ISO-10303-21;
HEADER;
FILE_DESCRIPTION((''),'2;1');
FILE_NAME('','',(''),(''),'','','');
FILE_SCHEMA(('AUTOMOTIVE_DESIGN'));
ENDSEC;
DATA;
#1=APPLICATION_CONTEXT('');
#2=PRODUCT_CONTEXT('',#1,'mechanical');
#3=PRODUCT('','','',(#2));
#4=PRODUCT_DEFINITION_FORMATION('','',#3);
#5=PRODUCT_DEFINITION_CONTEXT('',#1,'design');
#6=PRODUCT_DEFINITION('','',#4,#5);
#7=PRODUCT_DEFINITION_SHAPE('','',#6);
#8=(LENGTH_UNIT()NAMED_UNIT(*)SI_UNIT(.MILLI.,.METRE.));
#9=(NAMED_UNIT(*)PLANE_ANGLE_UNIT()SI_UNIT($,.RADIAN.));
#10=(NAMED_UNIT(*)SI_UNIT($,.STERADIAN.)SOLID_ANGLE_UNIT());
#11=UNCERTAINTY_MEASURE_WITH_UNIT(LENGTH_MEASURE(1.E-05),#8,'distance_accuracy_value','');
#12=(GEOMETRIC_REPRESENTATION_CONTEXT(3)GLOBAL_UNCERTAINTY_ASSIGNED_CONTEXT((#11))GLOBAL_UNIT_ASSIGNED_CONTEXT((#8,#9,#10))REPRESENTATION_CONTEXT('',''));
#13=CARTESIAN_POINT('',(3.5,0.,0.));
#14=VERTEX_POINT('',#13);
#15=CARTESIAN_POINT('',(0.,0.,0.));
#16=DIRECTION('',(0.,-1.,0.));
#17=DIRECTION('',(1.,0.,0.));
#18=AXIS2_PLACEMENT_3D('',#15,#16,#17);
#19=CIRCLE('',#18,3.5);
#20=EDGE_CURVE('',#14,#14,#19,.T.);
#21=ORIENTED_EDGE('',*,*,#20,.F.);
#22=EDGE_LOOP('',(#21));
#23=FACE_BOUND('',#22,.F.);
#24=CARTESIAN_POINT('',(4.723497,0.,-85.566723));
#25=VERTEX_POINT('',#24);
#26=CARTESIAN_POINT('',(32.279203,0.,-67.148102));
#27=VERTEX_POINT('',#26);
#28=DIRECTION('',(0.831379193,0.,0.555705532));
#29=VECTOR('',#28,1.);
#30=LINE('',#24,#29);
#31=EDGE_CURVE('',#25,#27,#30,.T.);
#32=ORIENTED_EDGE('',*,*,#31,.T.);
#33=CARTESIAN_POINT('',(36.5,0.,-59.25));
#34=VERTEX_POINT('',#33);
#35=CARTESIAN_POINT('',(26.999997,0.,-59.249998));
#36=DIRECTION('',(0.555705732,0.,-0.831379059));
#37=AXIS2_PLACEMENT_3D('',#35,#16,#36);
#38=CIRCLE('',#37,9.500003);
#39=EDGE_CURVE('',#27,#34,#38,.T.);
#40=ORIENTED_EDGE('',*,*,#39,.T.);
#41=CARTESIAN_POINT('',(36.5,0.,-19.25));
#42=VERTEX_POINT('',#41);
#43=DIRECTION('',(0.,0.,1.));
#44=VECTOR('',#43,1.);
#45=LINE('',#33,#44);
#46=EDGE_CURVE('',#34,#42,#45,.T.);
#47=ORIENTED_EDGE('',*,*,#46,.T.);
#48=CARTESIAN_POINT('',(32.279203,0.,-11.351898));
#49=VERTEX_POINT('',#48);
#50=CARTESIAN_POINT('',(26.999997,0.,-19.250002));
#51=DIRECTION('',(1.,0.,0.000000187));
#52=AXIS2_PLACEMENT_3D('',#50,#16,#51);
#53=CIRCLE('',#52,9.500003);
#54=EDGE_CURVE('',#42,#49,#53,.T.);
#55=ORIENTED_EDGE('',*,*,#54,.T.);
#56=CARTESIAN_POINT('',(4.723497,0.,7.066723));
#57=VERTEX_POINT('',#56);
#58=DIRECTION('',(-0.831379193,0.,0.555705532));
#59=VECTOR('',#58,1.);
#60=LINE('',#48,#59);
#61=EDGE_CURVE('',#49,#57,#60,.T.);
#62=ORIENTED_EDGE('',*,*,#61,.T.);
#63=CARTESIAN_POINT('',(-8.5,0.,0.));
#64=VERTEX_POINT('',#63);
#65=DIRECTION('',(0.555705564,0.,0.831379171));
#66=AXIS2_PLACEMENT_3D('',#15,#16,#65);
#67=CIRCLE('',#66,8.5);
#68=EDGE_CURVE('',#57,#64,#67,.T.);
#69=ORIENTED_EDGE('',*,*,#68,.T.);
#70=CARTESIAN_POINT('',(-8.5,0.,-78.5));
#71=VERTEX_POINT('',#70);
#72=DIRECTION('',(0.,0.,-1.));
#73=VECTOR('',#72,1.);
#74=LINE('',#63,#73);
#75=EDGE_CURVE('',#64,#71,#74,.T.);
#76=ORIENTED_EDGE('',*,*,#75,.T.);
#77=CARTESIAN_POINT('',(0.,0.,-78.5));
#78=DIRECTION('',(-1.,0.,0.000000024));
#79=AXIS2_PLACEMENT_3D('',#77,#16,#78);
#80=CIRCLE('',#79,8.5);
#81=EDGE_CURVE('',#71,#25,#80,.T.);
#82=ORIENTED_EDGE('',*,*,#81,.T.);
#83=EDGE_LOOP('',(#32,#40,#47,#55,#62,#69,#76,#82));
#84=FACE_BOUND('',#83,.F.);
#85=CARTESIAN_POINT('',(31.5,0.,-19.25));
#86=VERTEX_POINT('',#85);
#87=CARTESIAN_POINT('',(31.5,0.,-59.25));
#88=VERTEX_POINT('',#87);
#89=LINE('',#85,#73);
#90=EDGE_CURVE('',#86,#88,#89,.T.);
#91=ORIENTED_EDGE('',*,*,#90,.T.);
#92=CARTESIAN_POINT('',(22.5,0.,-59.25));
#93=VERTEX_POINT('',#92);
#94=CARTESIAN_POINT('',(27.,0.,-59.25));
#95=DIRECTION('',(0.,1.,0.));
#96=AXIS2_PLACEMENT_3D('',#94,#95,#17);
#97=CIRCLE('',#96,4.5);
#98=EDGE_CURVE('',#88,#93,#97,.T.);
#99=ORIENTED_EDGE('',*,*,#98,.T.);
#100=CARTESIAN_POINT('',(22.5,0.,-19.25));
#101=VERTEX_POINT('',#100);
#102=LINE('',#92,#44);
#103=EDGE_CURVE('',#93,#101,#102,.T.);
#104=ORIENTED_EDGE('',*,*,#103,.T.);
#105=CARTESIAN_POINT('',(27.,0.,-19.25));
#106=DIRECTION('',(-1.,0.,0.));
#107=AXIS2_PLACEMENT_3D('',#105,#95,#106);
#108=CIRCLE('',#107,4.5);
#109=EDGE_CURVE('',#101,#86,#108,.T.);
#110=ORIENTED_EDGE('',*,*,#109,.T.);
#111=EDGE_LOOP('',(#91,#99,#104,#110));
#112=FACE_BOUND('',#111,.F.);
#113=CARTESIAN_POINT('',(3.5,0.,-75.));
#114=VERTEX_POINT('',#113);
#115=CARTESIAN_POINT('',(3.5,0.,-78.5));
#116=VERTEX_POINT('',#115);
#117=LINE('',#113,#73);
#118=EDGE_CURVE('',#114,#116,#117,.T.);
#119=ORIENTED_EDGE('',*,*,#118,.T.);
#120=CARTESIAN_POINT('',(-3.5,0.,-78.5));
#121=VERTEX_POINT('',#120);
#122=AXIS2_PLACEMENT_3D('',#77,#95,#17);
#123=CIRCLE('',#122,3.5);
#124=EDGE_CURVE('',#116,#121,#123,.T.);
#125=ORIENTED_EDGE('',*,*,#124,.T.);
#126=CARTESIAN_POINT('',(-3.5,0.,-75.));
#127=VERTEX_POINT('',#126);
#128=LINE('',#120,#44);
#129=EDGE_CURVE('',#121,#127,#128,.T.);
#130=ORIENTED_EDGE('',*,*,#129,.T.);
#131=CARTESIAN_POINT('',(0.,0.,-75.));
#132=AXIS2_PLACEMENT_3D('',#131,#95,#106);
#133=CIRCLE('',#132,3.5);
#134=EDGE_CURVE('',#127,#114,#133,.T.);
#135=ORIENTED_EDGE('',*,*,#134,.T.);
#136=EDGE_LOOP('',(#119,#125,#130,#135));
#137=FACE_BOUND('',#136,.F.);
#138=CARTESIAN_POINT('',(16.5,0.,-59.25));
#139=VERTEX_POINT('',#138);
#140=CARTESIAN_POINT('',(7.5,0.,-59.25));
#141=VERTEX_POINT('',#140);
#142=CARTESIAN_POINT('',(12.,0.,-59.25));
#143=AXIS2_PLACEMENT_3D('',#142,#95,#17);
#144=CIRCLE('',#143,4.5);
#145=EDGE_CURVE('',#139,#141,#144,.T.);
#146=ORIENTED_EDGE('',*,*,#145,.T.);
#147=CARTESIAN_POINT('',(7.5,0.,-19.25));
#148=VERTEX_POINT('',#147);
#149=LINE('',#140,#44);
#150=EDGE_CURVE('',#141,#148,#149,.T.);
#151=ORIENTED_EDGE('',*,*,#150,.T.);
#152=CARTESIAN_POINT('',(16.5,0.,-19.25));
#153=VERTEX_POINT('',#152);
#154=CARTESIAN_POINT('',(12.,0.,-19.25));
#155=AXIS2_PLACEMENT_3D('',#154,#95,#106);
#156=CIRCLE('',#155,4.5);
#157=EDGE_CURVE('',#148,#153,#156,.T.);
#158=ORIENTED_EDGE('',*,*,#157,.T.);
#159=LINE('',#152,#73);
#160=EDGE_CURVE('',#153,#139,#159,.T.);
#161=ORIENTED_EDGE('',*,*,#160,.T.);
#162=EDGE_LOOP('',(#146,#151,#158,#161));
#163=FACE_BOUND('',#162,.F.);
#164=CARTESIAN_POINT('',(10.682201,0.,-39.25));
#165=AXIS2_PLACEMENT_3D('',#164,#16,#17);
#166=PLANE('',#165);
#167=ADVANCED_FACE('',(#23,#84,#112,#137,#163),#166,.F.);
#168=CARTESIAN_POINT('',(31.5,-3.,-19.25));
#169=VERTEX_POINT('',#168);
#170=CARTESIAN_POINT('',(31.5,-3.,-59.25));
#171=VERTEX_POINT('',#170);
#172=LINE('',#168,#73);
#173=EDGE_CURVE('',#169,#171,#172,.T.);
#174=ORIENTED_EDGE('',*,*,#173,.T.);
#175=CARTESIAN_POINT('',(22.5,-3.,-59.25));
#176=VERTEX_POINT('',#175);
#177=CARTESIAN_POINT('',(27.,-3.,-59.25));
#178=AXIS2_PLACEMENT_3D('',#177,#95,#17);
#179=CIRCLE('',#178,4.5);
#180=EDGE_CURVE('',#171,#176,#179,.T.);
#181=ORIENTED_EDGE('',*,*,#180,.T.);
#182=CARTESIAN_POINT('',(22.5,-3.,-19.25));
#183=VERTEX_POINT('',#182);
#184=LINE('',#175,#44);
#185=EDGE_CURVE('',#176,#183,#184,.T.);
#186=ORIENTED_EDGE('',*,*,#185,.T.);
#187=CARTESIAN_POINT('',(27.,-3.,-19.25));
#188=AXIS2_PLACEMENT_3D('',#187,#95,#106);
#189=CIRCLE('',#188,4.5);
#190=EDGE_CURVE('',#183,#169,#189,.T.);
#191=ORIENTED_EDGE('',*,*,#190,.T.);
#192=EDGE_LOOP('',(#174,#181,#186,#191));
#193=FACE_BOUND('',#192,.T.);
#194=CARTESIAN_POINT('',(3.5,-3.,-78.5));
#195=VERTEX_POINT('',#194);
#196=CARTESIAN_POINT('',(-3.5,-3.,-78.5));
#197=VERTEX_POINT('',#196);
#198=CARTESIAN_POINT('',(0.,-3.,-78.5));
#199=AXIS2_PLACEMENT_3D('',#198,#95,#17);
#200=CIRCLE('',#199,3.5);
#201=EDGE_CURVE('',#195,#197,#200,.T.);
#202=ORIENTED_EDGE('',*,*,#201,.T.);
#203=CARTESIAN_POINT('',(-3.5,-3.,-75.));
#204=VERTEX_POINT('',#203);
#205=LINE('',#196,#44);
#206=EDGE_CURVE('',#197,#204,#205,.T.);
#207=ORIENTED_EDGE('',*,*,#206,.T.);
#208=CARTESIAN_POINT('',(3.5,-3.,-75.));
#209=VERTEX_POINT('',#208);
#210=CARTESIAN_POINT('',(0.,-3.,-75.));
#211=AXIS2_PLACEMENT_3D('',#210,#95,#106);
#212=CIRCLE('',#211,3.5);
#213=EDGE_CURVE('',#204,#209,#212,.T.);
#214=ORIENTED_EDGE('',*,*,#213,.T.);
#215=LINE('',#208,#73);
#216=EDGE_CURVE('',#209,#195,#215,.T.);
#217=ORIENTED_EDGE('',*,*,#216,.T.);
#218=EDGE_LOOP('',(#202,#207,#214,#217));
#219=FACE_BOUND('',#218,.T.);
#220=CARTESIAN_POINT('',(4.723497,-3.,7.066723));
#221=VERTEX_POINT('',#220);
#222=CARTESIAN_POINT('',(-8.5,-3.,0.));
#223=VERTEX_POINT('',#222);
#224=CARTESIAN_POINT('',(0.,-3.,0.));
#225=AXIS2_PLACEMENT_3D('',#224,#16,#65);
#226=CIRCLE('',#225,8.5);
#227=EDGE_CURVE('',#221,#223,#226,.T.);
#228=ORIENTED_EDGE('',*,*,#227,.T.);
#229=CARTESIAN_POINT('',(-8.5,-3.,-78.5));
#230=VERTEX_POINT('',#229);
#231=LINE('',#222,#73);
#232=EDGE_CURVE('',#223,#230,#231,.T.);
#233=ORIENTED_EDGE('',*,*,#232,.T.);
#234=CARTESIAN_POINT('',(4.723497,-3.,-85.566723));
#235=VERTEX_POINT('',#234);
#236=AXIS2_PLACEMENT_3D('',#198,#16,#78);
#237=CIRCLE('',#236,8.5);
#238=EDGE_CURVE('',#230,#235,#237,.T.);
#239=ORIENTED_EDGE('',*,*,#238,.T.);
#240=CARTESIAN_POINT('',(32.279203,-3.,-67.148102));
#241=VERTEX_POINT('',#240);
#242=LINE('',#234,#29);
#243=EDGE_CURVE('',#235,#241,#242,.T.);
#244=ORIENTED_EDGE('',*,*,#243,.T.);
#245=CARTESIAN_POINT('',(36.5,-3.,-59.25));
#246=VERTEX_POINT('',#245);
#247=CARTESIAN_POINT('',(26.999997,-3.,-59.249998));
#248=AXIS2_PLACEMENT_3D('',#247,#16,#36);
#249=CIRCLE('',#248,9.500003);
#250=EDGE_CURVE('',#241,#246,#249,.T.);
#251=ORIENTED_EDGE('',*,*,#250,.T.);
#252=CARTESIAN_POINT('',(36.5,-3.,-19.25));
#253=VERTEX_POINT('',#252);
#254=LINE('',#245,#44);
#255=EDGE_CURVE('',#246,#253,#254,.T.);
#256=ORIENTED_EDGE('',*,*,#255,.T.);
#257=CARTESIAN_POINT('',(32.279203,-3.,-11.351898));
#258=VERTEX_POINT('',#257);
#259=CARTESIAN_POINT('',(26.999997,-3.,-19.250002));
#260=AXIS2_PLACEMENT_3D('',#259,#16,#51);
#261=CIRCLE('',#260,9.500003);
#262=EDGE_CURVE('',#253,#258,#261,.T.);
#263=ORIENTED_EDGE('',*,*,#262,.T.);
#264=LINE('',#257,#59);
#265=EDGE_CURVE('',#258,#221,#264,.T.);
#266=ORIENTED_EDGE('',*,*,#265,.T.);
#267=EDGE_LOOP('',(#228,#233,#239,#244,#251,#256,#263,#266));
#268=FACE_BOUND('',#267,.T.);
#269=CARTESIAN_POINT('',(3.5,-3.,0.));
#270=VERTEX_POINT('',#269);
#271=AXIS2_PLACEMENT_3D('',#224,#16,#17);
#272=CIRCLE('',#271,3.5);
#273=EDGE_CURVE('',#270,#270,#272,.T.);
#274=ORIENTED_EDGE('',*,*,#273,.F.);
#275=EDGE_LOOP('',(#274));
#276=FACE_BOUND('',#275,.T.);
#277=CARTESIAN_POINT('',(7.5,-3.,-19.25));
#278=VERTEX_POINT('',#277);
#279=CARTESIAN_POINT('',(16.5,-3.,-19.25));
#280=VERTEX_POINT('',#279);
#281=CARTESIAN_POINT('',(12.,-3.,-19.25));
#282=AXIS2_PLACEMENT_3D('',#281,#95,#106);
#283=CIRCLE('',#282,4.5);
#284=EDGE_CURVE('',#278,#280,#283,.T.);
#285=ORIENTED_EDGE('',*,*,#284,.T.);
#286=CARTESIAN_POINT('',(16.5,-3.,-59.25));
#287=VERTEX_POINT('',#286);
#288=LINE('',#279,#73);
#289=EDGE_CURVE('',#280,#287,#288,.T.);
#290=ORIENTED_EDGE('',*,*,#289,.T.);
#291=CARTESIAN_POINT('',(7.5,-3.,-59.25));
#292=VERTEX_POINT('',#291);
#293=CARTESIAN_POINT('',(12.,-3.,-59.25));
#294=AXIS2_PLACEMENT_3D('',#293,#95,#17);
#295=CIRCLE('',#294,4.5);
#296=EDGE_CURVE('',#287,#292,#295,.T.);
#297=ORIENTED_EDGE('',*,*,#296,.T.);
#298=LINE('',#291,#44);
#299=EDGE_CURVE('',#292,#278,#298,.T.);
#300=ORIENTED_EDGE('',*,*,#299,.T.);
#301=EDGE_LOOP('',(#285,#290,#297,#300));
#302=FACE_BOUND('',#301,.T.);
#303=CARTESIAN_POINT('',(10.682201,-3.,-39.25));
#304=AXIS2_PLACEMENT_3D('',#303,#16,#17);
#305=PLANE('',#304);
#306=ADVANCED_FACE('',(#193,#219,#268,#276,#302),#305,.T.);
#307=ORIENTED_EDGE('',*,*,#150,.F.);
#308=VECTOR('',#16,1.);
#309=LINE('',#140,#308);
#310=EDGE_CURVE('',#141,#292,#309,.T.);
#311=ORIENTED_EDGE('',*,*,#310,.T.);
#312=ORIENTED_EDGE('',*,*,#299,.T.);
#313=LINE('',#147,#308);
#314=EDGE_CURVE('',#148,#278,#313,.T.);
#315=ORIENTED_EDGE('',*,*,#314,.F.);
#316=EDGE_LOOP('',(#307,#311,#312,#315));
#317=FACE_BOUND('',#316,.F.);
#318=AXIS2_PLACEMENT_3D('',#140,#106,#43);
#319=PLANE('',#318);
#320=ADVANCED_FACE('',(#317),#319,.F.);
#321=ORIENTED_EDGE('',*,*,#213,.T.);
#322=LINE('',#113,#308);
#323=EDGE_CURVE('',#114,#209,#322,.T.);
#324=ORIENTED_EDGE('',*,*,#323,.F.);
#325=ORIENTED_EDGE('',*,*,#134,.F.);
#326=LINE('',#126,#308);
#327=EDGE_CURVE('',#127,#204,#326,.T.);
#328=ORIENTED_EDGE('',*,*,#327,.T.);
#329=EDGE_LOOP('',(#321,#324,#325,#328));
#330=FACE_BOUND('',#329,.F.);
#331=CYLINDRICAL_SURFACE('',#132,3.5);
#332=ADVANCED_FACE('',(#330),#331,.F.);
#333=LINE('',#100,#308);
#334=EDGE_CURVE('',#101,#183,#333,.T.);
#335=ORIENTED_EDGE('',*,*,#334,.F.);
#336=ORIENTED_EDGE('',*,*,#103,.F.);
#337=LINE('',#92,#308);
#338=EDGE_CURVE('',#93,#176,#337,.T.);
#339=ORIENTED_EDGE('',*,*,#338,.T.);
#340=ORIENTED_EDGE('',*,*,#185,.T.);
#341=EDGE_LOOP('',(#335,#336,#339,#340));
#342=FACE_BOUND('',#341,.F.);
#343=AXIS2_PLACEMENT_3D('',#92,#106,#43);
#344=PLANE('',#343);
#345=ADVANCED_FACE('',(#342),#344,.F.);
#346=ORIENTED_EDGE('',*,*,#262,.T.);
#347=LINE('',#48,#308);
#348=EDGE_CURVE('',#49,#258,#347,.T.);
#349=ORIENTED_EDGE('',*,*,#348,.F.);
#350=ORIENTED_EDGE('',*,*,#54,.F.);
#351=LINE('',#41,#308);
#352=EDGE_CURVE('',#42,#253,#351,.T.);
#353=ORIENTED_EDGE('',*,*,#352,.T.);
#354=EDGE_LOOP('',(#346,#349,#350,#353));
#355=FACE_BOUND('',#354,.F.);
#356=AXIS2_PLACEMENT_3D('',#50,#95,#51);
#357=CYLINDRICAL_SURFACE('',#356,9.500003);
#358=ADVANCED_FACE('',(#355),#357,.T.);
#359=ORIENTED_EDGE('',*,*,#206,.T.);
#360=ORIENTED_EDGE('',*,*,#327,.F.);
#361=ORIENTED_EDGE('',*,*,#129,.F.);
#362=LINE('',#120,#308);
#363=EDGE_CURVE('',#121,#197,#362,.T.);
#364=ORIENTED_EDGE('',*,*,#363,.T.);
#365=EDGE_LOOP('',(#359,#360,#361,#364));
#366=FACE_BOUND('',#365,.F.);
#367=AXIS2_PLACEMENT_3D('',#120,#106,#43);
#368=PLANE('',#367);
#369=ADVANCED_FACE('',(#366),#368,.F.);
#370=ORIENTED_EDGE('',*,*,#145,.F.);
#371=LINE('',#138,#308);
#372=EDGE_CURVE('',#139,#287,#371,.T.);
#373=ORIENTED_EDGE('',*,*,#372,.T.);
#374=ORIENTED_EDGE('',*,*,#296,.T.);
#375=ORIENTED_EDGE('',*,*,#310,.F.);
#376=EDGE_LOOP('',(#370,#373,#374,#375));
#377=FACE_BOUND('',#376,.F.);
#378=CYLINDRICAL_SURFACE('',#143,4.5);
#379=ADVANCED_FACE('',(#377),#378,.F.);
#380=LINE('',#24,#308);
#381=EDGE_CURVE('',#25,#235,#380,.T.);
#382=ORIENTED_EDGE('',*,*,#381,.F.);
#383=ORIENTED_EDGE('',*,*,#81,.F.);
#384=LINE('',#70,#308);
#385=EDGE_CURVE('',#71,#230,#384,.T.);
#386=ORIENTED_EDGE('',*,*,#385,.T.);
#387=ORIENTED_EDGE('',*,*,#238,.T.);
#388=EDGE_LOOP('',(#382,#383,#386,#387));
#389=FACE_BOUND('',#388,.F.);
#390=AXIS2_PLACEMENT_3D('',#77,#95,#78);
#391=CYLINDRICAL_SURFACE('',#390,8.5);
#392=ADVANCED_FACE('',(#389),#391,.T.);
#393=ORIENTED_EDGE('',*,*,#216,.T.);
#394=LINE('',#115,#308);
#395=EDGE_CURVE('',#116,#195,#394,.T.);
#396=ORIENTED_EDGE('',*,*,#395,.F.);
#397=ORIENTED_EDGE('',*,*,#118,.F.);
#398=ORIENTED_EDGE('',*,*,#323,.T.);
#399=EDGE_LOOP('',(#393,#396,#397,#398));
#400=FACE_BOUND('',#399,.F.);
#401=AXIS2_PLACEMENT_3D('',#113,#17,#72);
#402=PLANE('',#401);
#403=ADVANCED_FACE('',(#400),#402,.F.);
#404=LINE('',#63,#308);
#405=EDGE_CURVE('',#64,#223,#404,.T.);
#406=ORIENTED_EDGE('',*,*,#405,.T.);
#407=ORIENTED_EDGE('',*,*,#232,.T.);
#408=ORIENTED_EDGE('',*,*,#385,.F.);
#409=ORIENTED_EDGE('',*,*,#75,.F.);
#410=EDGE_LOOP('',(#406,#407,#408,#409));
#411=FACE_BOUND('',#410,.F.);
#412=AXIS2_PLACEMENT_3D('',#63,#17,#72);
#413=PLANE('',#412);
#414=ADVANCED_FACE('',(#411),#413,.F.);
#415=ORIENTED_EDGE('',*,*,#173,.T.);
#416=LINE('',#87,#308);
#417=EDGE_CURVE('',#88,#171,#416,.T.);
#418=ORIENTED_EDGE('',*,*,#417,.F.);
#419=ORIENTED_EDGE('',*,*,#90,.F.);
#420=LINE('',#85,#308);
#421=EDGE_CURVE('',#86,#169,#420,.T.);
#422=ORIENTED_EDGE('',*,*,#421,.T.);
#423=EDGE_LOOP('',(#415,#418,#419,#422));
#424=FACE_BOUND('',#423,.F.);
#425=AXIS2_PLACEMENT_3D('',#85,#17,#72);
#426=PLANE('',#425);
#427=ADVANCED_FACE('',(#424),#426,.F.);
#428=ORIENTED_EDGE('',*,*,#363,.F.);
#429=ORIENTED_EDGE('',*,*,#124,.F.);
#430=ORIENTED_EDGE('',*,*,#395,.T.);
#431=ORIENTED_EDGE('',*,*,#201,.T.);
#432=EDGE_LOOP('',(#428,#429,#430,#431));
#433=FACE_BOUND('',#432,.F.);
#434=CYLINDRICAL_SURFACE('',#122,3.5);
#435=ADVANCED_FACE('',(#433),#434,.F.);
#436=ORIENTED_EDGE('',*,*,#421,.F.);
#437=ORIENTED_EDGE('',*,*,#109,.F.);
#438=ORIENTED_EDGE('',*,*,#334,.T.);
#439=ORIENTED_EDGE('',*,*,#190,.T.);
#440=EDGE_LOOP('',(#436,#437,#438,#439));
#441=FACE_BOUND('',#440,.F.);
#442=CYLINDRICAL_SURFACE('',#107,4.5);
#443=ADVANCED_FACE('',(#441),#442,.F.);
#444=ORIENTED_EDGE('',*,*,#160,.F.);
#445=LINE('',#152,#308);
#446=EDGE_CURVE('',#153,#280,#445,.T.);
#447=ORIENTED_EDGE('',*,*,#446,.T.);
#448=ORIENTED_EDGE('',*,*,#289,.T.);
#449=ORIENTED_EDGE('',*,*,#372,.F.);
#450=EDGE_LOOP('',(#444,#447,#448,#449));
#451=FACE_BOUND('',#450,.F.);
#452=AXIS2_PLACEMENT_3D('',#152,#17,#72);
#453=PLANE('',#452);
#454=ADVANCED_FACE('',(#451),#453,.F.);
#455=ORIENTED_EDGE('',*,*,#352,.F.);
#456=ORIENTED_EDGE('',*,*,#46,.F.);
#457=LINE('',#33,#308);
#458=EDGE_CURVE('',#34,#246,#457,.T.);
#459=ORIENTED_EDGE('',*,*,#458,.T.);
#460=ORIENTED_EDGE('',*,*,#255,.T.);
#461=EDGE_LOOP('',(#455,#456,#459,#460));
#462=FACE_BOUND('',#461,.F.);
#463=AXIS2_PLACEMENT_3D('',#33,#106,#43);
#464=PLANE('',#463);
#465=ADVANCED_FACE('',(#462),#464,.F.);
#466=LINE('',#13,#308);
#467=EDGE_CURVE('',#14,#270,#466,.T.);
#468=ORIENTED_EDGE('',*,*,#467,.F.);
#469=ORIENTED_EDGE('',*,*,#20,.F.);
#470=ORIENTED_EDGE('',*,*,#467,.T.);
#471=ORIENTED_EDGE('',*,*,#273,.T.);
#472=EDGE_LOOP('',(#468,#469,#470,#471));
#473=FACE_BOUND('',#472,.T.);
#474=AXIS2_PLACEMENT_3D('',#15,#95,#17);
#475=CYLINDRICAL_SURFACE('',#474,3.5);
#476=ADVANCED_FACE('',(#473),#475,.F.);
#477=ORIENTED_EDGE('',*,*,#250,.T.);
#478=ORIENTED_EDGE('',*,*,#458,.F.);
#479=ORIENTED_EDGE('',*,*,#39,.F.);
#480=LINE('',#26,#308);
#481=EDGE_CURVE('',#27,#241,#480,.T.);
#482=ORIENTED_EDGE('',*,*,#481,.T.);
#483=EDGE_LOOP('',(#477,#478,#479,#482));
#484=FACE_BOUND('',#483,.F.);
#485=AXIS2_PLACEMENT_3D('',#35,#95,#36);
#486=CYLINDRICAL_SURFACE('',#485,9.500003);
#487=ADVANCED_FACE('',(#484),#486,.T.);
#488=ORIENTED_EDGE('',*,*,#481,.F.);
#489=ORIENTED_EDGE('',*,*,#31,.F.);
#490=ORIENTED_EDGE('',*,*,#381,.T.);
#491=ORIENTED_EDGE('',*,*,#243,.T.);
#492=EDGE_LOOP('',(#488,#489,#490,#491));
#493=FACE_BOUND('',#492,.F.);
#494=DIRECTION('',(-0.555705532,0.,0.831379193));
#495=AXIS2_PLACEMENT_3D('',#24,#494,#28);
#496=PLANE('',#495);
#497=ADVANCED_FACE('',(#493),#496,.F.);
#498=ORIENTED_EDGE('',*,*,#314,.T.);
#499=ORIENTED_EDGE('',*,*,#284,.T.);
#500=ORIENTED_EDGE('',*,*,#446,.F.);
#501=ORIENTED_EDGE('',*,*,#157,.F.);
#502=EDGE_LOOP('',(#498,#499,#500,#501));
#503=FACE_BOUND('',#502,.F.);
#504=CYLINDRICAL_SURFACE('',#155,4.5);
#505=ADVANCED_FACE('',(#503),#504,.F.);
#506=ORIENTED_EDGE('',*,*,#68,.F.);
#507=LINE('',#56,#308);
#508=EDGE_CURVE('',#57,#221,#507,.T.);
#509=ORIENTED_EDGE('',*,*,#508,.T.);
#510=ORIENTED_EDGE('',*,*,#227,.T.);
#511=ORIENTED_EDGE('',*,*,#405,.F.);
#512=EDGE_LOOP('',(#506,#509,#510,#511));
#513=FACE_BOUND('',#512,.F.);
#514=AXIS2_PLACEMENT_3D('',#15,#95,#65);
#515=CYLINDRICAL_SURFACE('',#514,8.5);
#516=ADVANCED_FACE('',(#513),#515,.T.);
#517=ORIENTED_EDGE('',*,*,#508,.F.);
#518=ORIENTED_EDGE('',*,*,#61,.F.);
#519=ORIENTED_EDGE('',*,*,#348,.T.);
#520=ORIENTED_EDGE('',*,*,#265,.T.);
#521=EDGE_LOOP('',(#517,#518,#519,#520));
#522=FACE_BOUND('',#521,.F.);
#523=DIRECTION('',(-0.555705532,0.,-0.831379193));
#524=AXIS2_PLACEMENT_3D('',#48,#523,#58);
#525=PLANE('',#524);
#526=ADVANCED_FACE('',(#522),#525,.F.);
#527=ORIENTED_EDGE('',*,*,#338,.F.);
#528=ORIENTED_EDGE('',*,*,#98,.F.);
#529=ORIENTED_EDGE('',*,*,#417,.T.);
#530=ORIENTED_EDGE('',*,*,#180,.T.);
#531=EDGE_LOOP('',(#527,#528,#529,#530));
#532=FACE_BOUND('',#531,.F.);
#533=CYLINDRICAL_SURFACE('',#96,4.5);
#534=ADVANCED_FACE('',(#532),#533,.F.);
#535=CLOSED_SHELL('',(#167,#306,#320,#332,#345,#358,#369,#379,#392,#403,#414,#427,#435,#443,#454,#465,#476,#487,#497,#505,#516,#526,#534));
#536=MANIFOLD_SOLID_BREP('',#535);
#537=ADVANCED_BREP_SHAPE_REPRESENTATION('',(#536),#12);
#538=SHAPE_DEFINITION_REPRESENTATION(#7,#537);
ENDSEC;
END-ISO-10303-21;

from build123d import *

# Parameters (mm, degrees)
F0_R     = 3.5
F1_DEPTH = 3


with BuildPart() as f1:
    # F0 (on Front) → F1 (new body)
    with BuildSketch(Plane.XZ):
        with BuildLine():
            Line((32.279203, -11.351898), (4.723497, 7.066723))
            ThreePointArc((4.723497, 7.066723), (-4.006262, 7.496657), (-8.5, 0))
            Line((-8.5, 0), (-8.5, -78.5))
            ThreePointArc((-8.5, -78.5), (-4.006262, -85.996657), (4.723497, -85.566723))
            Line((4.723497, -85.566723), (32.279203, -67.148102))
            ThreePointArc((32.279203, -67.148102), (35.378616, -63.727587), (36.5, -59.25))
            Line((36.5, -59.25), (36.5, -19.25))
            ThreePointArc((36.5, -19.25), (35.378616, -14.772413), (32.279203, -11.351898))
        make_face()
        with BuildLine():
            ThreePointArc((-3.5, -75), (0, -71.5), (3.5, -75))
            Line((3.5, -75), (3.5, -78.5))
            ThreePointArc((3.5, -78.5), (0, -82), (-3.5, -78.5))
            Line((-3.5, -78.5), (-3.5, -75))
        make_face(mode=Mode.SUBTRACT)
        with BuildLine():
            ThreePointArc((7.5, -19.25), (12, -14.75), (16.5, -19.25))
            Line((16.5, -19.25), (16.5, -59.25))
            ThreePointArc((16.5, -59.25), (12, -63.75), (7.5, -59.25))
            Line((7.5, -59.25), (7.5, -19.25))
        make_face(mode=Mode.SUBTRACT)
        Circle(F0_R, mode=Mode.SUBTRACT)
        with BuildLine():
            ThreePointArc((22.5, -19.25), (27, -14.75), (31.5, -19.25))
            Line((31.5, -19.25), (31.5, -59.25))
            ThreePointArc((31.5, -59.25), (27, -63.75), (22.5, -59.25))
            Line((22.5, -59.25), (22.5, -19.25))
        make_face(mode=Mode.SUBTRACT)
    extrude(amount=F1_DEPTH)


solid = f1.part
